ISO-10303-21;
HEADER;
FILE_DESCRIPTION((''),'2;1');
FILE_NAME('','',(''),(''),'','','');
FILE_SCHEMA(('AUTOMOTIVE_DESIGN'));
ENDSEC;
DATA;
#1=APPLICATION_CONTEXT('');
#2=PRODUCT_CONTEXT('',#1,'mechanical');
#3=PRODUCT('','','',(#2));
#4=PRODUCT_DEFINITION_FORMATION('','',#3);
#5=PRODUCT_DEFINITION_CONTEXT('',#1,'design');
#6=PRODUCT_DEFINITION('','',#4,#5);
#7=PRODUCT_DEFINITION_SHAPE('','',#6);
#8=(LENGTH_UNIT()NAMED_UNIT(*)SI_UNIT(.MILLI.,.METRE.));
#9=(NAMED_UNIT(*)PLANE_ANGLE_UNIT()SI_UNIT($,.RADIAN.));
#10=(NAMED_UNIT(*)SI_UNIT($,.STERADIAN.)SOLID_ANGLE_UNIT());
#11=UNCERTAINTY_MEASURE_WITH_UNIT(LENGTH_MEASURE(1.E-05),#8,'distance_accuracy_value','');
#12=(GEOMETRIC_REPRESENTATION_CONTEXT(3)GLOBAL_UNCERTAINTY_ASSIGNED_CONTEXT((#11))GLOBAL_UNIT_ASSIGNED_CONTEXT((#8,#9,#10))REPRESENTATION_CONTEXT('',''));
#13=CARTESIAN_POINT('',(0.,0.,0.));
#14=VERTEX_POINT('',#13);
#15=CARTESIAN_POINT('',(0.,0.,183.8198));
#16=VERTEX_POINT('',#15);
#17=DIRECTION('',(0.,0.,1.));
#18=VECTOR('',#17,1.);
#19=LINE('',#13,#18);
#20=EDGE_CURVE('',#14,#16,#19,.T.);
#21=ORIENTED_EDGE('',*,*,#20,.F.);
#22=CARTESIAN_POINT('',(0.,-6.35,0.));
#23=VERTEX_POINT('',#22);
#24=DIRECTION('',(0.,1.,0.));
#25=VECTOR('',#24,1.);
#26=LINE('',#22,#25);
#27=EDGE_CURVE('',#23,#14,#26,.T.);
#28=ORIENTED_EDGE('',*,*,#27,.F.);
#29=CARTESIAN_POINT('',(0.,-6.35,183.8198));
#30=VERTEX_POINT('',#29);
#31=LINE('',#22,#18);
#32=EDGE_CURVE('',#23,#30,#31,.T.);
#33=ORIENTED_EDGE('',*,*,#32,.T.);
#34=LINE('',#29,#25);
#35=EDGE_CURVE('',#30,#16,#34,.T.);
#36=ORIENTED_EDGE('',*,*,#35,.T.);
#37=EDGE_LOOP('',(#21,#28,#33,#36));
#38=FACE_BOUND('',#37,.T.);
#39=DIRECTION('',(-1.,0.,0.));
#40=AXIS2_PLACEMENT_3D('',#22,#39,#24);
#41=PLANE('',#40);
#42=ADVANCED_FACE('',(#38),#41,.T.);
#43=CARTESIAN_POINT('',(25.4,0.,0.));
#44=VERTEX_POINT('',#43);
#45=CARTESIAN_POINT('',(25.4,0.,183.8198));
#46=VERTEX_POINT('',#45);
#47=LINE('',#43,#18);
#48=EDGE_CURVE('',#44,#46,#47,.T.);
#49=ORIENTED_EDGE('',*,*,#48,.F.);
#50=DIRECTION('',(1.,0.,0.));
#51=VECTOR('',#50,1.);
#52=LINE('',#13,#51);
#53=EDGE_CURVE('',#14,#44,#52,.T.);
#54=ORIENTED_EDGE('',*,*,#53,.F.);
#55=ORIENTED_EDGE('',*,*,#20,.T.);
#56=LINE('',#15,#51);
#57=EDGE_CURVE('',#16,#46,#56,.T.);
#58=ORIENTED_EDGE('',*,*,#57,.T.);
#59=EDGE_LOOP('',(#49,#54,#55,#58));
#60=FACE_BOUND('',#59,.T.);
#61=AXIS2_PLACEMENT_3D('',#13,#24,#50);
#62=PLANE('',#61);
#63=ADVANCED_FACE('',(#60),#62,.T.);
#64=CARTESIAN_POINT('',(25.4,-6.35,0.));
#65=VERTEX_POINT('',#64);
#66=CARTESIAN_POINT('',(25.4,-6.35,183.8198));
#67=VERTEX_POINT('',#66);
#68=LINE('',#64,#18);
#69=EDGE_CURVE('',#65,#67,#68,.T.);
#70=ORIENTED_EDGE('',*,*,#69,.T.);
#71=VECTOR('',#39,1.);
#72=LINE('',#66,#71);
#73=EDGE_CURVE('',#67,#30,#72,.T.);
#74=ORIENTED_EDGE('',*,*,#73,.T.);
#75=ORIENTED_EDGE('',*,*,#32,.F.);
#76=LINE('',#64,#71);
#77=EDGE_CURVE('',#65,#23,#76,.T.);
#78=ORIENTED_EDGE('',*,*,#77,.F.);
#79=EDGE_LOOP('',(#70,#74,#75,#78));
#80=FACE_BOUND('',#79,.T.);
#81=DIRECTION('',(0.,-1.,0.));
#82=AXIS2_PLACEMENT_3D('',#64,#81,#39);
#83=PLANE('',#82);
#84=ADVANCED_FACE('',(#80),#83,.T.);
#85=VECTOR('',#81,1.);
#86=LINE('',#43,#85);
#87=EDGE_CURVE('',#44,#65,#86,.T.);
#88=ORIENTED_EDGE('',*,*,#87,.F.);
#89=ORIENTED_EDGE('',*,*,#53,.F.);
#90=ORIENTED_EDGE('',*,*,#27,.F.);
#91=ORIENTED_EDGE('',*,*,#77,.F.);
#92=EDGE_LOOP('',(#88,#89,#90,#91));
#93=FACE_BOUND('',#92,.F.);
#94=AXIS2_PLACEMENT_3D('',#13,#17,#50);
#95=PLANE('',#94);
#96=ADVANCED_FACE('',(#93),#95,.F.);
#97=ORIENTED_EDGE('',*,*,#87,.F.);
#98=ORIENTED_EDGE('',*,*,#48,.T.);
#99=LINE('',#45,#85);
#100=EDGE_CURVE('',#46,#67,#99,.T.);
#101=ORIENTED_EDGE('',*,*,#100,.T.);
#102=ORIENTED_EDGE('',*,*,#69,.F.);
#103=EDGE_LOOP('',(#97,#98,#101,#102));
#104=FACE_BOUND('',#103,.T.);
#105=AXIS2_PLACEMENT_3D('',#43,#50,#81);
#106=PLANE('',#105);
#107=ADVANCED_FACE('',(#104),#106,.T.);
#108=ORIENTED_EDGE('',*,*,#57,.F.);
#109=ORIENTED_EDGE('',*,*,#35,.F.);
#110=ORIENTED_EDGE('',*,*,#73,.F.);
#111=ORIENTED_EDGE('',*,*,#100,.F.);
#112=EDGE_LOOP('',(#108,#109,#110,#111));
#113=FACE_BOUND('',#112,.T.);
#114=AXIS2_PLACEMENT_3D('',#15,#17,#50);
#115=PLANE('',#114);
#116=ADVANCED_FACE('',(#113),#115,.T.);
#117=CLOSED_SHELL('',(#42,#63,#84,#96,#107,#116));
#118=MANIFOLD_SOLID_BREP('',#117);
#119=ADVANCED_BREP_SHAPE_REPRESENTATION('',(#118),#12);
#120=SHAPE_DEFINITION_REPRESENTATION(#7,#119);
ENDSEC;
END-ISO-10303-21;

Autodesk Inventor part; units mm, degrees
ref_plane "YZ Plane" through (0, 0, 0) normal (1, 0, 0) x (0, 1, 0)
ref_plane "XZ Plane" through (0, 0, 0) normal (0, 1, 0) x (-1, 0, 0)
ref_plane "XY Plane" through (0, 0, 0) normal (0, 0, 1) x (1, 0, 0)
sketch "Sketch1" plane through (0, 0, 0) normal (0, 0, 1) x (1, 0, 0)
  line L0 (0, 0) -> (25.4, 0)
  line L1 (25.4, 0) -> (25.4, -6.35)
  line L2 (25.4, -6.35) -> (0, -6.35)
  line L3 (0, -6.35) -> (0, 0)
  dimension "d0" = 25.4
  dimension "d1" = 6.35
extrude "Extrusion1" add sketch "Sketch1" along normal blind 183.8198
properties part number "sliding rial"
